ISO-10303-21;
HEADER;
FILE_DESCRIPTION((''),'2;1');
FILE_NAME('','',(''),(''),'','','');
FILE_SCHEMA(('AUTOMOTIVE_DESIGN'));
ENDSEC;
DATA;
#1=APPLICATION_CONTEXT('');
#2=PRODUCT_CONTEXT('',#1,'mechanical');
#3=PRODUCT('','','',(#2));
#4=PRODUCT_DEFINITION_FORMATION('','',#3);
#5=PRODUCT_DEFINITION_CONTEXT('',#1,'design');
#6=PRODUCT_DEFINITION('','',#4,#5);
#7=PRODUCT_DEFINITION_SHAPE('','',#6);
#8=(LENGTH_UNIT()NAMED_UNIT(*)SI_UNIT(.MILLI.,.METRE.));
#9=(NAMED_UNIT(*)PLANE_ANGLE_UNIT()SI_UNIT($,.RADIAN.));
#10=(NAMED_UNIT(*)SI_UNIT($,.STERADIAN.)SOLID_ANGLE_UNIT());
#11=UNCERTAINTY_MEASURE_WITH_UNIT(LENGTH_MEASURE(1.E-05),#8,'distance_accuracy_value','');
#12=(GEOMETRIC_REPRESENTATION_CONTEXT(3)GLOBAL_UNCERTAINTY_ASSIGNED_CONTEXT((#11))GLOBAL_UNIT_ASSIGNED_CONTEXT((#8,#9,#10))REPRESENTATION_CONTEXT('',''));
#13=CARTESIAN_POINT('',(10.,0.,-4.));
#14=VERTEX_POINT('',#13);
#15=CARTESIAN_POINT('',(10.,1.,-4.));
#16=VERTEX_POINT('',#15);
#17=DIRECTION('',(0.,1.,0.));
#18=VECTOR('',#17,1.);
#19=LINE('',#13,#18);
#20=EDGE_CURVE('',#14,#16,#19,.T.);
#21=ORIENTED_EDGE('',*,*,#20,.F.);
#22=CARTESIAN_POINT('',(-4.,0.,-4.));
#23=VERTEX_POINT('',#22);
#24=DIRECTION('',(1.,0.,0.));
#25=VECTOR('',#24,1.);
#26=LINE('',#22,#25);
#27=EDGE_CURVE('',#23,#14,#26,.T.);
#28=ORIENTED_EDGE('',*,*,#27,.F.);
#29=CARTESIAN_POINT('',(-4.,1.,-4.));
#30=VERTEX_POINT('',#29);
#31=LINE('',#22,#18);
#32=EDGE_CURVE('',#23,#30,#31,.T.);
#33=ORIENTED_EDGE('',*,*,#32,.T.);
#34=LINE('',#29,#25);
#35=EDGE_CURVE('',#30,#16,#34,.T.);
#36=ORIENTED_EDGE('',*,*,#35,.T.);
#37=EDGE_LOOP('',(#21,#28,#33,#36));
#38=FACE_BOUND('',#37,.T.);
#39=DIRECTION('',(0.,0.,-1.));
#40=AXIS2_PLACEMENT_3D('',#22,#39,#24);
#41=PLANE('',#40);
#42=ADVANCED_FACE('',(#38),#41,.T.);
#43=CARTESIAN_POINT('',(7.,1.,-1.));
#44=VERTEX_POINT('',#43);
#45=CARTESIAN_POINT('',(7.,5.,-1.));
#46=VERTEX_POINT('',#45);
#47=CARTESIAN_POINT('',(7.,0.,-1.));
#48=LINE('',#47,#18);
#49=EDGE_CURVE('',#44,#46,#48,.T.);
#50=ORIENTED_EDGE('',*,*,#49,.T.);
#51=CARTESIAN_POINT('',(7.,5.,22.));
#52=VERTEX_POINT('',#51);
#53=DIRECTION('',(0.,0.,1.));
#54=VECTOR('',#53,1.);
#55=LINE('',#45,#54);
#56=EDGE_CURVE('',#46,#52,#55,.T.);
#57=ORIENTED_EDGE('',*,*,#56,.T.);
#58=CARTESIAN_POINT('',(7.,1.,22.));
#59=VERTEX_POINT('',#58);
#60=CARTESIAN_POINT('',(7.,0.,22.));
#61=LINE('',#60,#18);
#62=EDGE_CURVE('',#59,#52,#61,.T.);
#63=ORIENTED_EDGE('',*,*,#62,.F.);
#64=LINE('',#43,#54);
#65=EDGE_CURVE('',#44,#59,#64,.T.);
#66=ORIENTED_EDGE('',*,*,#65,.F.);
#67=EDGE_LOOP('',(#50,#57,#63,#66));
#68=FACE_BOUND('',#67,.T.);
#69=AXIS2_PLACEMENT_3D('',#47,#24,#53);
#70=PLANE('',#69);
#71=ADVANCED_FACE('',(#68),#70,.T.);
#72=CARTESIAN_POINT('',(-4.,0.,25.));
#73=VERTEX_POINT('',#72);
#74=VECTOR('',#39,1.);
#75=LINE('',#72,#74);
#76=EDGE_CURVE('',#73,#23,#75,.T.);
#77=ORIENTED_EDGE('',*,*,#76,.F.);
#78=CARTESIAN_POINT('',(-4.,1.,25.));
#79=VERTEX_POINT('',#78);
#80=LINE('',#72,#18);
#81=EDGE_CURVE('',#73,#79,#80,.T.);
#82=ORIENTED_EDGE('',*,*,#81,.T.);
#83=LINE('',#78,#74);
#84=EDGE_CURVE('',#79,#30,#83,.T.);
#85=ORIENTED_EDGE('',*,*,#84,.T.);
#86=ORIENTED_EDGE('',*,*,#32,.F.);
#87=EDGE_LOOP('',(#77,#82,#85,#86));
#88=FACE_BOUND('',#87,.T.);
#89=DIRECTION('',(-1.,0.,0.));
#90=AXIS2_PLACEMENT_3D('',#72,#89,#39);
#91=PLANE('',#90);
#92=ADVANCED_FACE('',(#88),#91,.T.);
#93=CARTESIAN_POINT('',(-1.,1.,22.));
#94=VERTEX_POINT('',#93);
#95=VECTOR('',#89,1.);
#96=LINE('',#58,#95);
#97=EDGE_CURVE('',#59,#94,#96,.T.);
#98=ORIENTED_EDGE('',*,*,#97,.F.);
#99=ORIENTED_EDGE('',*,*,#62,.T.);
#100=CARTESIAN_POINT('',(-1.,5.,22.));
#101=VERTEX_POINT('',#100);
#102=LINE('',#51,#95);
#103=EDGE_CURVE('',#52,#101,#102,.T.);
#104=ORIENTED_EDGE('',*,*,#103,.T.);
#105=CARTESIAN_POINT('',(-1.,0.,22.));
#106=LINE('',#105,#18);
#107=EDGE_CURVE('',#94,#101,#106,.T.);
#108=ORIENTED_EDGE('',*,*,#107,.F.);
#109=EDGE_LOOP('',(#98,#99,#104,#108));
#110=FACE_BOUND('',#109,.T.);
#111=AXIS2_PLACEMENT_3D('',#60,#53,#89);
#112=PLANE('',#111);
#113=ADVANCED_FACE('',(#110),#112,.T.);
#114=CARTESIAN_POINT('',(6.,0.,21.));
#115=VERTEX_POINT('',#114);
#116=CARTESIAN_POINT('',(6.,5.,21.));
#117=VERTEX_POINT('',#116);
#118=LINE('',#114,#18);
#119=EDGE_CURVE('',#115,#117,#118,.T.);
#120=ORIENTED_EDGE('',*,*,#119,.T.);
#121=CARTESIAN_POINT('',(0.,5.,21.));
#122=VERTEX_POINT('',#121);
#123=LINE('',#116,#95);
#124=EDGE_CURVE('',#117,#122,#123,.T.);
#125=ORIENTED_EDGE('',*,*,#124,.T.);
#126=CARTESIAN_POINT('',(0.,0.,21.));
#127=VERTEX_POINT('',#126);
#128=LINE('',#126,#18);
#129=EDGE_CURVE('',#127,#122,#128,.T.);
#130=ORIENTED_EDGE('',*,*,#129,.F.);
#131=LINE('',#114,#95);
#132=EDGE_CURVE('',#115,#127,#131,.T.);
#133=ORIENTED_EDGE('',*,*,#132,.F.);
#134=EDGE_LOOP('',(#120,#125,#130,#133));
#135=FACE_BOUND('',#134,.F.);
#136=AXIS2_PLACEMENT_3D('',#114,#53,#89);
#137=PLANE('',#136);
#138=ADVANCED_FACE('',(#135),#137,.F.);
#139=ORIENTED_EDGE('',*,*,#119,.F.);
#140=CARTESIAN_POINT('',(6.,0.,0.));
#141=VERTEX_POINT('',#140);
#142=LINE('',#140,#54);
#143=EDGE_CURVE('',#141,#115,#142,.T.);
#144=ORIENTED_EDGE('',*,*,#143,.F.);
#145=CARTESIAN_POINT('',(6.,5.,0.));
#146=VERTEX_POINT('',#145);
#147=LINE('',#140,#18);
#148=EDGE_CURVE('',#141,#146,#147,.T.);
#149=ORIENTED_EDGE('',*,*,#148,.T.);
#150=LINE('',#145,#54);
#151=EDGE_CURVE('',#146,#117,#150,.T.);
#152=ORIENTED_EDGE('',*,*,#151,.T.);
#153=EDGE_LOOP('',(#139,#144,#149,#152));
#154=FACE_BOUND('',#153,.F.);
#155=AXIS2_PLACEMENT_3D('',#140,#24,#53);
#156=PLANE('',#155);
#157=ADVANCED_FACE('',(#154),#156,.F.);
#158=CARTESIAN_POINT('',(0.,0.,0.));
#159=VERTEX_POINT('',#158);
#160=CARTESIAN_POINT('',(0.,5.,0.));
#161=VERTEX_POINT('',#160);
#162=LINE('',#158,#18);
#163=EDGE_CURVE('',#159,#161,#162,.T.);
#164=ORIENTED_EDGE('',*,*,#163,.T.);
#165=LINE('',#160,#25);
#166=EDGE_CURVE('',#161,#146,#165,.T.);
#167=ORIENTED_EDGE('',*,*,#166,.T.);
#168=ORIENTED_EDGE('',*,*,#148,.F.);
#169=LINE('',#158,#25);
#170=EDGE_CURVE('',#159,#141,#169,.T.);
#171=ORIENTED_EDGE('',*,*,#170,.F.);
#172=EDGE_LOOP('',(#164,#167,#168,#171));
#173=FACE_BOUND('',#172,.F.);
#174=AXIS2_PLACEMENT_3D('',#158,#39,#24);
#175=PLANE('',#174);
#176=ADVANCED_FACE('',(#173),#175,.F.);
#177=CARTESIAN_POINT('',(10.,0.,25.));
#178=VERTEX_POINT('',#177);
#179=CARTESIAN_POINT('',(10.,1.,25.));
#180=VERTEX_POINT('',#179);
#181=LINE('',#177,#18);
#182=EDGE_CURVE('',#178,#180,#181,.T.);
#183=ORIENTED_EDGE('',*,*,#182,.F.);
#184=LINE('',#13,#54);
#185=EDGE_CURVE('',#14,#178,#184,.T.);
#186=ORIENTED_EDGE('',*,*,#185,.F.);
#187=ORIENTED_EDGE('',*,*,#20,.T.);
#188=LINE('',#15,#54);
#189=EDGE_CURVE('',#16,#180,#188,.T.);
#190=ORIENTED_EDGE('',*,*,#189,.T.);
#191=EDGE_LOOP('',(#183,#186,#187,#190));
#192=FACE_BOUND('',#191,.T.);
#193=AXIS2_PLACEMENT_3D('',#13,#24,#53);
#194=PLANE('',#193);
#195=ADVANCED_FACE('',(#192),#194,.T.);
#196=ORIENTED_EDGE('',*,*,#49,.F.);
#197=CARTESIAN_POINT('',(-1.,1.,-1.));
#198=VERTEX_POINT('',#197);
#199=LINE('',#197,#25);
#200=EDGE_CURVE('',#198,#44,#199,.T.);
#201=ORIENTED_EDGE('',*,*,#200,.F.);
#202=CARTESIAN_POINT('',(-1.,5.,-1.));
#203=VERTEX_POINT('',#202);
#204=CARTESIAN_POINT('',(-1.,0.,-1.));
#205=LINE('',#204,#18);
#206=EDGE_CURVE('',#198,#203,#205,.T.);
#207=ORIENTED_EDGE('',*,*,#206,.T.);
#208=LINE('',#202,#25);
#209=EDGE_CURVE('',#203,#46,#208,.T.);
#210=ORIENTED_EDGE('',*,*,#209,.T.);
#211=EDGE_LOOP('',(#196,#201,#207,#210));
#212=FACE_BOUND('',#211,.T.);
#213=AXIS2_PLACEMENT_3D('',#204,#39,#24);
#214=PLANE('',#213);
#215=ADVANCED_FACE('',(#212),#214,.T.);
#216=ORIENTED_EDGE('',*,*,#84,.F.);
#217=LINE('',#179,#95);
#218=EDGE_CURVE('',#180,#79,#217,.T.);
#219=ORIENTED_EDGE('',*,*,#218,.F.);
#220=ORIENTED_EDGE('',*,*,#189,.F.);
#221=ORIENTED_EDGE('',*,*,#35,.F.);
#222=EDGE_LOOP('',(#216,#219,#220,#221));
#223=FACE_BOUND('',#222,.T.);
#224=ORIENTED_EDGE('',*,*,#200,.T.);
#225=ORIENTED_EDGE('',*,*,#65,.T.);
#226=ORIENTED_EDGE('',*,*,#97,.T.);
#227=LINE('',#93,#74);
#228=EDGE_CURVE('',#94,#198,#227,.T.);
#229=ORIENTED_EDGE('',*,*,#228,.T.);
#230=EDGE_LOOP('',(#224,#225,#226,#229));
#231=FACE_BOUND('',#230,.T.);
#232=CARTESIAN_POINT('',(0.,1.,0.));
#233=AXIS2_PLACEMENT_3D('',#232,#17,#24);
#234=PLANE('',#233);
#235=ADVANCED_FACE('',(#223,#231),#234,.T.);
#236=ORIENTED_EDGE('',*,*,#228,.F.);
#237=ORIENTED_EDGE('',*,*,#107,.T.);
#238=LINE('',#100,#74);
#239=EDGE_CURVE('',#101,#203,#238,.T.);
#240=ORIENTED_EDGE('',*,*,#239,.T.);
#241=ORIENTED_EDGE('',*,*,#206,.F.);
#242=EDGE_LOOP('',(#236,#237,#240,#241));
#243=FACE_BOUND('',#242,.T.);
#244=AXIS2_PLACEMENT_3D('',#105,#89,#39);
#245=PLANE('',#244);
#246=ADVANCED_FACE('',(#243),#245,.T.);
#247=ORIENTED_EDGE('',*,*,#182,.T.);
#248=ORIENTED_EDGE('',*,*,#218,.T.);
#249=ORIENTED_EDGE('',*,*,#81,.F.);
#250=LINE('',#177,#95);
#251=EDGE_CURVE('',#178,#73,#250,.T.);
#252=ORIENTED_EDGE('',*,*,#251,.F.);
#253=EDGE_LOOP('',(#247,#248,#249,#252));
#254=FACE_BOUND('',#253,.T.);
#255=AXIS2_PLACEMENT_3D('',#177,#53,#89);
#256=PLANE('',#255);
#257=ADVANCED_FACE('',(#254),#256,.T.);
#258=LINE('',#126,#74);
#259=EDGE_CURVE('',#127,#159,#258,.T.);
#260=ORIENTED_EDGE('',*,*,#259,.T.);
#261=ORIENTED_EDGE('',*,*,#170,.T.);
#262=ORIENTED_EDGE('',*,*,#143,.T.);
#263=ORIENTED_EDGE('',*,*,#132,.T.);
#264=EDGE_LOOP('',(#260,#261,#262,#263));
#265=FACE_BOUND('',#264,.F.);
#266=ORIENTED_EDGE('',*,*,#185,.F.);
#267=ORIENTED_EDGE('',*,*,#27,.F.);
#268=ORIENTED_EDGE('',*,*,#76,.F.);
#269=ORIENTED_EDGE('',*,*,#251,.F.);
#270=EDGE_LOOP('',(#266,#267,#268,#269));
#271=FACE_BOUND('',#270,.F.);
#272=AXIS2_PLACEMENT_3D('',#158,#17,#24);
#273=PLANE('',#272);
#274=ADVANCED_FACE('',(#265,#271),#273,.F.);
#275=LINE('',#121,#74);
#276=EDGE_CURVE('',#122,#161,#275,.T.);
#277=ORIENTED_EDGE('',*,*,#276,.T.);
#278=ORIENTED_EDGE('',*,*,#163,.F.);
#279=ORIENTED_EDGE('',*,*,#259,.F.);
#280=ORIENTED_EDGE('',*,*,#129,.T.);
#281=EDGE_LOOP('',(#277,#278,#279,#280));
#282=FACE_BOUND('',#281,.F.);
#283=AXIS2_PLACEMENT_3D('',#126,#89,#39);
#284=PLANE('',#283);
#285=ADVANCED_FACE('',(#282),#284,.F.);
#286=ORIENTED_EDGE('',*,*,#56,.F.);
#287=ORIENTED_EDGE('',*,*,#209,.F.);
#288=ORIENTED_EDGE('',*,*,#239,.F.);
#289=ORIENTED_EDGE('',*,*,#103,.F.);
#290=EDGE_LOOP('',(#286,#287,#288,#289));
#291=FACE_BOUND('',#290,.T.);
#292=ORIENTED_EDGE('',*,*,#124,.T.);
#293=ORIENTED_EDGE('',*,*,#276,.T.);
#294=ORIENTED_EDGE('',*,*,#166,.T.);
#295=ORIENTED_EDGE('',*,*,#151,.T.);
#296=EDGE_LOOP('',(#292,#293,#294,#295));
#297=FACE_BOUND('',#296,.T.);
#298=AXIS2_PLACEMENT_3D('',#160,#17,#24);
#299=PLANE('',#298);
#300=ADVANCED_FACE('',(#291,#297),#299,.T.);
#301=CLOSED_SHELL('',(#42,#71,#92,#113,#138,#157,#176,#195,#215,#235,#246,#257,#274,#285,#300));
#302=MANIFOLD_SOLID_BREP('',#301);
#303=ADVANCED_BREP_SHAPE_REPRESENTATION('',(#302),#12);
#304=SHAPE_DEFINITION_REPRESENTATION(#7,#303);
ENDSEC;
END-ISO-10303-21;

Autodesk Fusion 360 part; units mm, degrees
sketch "Esquisse1" plane through (0, 0, 0) normal (0, 1, 0) x (1, 0, 0)
  line L0 (0, 0) -> (6, 0)
  line L1 (6, 0) -> (6, -21)
  line L2 (6, -21) -> (0, -21)
  line L3 (0, -21) -> (0, 0)
  line L4 (-1, 1) -> (7, 1)
  line L5 (7, 1) -> (7, -22)
  line L6 (7, -22) -> (-1, -22)
  line L7 (-1, -22) -> (-1, 1)
  line L8 (-4, 4) -> (10, 4)
  line L9 (10, 4) -> (10, -25)
  line L10 (10, -25) -> (-4, -25)
  line L11 (-4, -25) -> (-4, 4)
  dimension "d1" = 6
  dimension "d2" = 21
  dimension "d3" = 1
  dimension "d4" = 1
  dimension "d5" = 1
  dimension "d6" = 1
  dimension "d7" = 3
  dimension "d8" = 3
  dimension "d9" = 3
  dimension "d10" = 3
extrude "Extrusion1" add sketch "Esquisse1" along normal blind 5 contours L4 L5 L6 L7
extrude "Extrusion2" add sketch "Esquisse1" along normal blind 1 contours L8 L9 L10 L11
